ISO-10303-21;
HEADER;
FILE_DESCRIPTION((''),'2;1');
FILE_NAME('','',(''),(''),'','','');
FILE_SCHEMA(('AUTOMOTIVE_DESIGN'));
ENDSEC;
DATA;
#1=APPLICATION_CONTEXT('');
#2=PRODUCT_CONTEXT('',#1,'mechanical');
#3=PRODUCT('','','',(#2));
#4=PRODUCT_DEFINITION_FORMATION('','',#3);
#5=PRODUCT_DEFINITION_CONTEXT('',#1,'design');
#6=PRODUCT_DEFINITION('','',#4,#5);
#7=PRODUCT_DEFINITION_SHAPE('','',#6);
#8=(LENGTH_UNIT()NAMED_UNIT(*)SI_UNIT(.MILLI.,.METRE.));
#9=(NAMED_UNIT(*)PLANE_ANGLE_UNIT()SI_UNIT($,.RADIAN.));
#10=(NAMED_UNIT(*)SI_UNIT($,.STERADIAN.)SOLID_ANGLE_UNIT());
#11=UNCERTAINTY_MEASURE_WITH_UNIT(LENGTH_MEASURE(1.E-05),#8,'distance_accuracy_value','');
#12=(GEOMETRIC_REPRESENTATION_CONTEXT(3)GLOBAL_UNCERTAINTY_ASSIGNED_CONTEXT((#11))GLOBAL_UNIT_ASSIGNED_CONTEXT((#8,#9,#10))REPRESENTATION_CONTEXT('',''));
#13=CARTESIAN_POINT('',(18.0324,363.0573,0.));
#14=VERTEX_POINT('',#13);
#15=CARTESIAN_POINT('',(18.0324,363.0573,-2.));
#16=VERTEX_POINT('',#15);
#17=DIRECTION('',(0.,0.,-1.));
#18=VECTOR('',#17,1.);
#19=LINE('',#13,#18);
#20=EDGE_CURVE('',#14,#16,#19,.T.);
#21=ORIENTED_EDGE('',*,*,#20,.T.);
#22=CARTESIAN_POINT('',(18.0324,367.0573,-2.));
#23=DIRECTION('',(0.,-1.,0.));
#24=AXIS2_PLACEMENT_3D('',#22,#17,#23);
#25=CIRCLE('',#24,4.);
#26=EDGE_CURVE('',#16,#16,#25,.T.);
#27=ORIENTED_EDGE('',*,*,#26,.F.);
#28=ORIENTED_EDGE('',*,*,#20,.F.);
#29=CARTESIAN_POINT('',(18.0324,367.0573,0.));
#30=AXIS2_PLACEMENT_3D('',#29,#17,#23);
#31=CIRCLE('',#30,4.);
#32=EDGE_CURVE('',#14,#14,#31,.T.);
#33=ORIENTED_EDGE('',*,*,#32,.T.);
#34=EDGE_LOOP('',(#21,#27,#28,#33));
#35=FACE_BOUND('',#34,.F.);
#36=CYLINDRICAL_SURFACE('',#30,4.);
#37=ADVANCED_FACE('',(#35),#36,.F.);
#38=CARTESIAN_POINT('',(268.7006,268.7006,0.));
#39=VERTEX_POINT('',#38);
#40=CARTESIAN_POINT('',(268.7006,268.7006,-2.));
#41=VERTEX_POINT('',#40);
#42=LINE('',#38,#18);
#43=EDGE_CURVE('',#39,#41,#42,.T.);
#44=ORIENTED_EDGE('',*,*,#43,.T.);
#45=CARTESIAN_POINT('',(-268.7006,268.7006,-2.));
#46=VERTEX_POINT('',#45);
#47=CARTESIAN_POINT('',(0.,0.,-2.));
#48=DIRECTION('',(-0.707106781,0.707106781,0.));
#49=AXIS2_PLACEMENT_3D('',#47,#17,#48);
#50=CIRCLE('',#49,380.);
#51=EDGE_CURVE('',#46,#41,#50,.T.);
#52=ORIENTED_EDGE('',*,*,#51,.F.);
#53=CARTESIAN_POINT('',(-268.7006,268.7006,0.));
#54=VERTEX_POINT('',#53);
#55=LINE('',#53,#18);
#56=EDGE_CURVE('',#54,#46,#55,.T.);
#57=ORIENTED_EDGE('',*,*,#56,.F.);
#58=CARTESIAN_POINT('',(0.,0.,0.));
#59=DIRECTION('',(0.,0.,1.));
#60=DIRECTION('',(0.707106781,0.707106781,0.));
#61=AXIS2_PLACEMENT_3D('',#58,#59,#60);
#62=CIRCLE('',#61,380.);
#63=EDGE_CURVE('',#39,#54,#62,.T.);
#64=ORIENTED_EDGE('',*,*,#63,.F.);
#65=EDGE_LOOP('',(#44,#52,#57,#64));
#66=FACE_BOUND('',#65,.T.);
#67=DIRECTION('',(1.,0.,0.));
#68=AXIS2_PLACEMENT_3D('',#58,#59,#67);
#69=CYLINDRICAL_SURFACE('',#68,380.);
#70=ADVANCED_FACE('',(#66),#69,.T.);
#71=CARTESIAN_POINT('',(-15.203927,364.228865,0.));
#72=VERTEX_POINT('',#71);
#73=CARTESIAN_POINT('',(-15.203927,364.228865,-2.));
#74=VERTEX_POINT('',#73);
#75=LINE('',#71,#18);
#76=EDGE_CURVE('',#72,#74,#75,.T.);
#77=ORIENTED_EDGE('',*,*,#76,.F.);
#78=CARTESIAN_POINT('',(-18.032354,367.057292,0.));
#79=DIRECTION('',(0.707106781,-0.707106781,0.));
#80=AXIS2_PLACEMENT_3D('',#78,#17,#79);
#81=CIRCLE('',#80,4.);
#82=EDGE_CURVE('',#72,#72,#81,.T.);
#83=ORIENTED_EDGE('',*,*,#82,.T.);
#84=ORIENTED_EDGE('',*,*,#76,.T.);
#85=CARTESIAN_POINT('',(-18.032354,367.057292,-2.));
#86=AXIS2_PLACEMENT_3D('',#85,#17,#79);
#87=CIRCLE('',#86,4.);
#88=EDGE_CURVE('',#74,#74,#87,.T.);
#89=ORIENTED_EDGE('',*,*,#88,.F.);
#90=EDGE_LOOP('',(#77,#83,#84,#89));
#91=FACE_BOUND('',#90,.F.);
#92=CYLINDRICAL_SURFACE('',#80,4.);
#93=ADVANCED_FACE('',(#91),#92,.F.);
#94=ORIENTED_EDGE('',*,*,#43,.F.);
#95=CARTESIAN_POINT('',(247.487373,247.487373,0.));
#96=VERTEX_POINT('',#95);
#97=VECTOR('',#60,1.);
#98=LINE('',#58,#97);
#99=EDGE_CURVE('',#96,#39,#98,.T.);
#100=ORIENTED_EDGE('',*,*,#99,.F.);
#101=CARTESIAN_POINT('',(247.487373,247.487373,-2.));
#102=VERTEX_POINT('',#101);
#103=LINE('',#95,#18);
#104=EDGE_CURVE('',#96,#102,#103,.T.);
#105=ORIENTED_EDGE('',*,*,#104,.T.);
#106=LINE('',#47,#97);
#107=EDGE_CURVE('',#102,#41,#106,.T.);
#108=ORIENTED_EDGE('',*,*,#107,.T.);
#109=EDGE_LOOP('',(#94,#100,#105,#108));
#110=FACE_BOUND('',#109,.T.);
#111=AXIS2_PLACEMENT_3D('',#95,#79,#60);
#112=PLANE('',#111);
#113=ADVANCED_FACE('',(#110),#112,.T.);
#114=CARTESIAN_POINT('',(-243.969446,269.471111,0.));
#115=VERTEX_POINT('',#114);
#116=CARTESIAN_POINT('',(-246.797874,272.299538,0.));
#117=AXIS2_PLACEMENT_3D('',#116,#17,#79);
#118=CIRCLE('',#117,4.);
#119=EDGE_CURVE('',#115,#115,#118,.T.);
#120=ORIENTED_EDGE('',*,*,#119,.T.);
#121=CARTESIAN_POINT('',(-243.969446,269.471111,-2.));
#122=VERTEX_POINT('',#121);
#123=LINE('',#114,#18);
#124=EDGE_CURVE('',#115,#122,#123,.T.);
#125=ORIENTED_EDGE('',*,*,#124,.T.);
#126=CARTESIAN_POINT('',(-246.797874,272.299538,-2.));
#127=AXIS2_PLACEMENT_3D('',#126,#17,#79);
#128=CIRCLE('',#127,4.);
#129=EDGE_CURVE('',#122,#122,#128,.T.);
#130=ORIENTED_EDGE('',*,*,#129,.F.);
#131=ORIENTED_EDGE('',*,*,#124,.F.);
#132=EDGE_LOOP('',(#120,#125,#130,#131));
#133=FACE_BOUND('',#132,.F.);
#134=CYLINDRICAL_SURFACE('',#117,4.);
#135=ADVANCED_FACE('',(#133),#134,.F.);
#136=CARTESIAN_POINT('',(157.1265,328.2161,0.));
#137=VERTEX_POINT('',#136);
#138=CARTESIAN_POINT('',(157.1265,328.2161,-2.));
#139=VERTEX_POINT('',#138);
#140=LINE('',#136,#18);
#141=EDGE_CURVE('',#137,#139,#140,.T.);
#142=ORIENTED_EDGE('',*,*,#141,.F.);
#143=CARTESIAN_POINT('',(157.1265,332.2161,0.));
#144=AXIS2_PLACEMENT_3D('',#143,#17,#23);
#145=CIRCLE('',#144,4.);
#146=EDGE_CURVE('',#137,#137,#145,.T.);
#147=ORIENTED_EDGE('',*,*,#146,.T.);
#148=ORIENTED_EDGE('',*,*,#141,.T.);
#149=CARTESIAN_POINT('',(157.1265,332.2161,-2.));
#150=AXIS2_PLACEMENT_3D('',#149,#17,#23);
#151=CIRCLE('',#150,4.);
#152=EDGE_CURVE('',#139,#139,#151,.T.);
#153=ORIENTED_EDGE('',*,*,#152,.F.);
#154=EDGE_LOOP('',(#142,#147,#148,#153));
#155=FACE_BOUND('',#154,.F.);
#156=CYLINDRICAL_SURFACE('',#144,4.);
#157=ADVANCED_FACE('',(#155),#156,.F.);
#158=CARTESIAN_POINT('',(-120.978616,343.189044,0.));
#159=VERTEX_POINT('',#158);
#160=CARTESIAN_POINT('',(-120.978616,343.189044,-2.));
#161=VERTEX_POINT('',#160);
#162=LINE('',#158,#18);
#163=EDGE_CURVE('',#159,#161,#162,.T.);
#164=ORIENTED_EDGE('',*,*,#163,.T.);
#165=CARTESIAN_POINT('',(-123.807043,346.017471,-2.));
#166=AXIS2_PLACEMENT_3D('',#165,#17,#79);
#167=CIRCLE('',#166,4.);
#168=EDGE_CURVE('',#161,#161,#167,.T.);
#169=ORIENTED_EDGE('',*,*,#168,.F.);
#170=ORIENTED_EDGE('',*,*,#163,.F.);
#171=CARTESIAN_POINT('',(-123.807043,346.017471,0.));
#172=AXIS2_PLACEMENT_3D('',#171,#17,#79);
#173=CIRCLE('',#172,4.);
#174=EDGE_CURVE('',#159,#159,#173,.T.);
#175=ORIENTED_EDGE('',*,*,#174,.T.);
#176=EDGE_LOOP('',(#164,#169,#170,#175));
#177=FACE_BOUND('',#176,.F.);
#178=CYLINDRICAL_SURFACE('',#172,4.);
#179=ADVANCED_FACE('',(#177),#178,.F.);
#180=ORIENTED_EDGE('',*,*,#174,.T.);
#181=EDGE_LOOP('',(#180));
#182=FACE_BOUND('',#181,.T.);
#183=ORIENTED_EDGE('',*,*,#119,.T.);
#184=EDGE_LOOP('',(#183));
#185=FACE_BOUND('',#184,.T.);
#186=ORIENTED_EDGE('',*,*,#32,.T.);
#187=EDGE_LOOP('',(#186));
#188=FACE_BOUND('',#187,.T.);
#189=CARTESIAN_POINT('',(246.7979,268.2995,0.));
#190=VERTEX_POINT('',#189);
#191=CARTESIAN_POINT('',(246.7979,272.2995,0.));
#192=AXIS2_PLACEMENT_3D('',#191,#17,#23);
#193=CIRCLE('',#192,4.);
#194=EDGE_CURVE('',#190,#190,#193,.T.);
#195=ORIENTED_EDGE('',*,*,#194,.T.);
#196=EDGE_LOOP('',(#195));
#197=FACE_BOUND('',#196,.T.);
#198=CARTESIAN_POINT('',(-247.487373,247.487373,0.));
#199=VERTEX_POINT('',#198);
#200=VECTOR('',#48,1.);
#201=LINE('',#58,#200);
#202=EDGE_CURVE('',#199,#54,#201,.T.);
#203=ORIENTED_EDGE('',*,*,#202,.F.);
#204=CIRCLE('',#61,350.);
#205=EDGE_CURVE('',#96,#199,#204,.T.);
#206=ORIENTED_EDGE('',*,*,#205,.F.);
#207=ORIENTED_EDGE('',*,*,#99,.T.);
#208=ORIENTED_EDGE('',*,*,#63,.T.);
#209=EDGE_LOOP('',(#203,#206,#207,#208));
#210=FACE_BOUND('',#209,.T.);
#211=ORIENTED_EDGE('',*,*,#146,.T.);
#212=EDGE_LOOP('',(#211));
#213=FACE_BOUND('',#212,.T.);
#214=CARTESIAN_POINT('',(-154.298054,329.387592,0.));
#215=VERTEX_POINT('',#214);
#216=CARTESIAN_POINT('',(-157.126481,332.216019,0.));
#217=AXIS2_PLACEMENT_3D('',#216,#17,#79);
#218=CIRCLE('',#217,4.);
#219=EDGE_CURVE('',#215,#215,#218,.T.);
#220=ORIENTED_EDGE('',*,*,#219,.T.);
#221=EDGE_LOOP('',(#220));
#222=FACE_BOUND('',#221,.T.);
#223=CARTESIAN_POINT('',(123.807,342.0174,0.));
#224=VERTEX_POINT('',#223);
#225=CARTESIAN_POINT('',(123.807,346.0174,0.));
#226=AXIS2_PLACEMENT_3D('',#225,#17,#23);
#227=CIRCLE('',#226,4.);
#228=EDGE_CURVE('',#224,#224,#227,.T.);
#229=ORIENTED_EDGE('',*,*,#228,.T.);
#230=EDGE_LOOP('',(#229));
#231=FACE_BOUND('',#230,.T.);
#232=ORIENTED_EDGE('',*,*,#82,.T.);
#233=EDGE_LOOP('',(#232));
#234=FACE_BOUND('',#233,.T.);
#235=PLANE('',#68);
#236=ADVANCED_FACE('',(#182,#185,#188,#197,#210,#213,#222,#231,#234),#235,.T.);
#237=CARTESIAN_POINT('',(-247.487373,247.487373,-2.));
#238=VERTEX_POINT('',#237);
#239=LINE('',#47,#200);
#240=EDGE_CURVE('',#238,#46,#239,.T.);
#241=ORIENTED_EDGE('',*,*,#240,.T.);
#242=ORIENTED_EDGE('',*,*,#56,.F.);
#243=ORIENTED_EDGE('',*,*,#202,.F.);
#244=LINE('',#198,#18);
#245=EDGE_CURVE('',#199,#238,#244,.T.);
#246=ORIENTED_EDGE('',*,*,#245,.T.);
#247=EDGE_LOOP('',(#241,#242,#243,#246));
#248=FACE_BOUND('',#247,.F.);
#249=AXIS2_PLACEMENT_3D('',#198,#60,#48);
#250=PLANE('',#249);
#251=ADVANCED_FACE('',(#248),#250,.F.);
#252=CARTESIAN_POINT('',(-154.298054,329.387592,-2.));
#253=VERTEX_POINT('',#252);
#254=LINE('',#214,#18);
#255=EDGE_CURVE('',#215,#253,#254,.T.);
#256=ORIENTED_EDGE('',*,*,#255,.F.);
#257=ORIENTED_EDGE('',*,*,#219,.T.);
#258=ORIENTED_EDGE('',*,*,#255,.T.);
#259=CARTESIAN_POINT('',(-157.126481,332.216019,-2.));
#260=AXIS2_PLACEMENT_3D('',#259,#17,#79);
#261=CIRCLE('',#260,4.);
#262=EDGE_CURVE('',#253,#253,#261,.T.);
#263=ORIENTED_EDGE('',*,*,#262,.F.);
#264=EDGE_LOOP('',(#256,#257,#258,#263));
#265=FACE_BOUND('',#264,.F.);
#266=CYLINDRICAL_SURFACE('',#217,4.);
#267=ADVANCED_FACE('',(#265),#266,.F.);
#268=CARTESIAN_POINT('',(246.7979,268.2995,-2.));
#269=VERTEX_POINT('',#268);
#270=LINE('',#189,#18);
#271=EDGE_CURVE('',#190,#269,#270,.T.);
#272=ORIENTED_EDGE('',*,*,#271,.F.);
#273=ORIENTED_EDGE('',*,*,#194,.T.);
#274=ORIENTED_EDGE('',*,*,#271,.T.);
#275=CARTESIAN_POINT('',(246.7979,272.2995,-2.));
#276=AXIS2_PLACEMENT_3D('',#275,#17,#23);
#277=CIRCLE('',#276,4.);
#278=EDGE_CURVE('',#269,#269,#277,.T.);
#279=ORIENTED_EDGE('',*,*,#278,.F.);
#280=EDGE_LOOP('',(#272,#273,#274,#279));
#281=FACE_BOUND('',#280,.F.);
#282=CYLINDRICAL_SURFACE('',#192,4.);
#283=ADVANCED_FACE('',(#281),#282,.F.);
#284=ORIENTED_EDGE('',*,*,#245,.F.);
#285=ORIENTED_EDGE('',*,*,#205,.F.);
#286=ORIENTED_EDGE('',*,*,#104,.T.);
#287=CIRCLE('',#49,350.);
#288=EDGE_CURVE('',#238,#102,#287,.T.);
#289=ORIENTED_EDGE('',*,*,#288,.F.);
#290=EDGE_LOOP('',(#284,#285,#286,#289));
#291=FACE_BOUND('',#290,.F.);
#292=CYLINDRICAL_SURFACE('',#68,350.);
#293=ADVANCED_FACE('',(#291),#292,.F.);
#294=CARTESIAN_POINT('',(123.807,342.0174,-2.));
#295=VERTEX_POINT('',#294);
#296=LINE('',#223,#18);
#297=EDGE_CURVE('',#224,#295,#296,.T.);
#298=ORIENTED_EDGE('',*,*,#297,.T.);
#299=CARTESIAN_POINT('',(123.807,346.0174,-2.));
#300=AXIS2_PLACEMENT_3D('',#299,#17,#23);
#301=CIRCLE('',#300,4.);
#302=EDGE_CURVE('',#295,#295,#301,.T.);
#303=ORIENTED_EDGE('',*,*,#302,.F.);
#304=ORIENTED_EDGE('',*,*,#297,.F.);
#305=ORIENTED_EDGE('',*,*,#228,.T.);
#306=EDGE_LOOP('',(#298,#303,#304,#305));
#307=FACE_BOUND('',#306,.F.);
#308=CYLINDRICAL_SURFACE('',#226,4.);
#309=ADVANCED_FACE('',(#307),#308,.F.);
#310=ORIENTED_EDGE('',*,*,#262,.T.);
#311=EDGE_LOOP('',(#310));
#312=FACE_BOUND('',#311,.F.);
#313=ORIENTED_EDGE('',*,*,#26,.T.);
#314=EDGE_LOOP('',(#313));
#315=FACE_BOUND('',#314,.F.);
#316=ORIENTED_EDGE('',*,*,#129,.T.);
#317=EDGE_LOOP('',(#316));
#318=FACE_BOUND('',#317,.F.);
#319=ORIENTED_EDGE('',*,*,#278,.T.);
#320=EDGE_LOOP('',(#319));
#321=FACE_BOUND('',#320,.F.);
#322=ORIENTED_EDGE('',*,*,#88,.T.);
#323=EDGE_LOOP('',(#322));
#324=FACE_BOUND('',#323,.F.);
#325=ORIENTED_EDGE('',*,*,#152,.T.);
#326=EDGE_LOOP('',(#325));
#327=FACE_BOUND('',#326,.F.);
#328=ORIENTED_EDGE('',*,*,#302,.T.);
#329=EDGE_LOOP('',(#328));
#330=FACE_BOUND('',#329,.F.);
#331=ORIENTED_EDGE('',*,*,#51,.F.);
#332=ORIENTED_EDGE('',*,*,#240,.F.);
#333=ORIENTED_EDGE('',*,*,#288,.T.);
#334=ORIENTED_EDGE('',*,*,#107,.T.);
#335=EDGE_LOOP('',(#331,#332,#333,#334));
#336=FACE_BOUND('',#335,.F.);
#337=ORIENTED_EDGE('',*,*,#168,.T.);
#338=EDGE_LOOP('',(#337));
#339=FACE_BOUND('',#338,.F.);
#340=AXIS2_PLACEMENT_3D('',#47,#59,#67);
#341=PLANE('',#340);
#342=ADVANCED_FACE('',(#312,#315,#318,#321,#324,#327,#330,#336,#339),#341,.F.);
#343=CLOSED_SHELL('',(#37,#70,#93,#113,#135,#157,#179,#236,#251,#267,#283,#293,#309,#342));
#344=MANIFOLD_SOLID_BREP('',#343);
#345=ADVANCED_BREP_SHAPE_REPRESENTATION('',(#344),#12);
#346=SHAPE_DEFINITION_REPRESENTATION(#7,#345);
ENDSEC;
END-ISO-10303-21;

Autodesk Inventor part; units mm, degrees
ref_plane "YZ Plane" through (0, 0, 0) normal (1, 0, 0) x (0, 1, 0)
ref_plane "XZ Plane" through (0, 0, 0) normal (0, 1, 0) x (-1, 0, 0)
ref_plane "XY Plane" through (0, 0, 0) normal (0, 0, 1) x (1, 0, 0)
sketch "Sketch1" plane through (0, 0, 0) normal (0, 0, 1) x (1, 0, 0)
  circle A0 centre (0, 0) radius 350
  circle A1 centre (0, 0) radius 380
  line L0 (0, 0) -> (-268.7006, 268.7006)
  line L1 (0, 0) -> (0, 380)
  line L2 (0, 0) -> (268.7006, 268.7006)
  point P0 (-247.4874, 247.4874)
  point P1 (247.4874, 247.4874)
  dimension "d30" = 90
  dimension "d31" = 760
  dimension "d32" = 700
extrude "Plate1" add sketch "Sketch1" against normal blind 2 contours A0 L1 A1 L2 | L0 A1 L1 A0
sketch "Sketch2" plane through (0, 0, 0) normal (0, 0, 1) x (1, 0, 0)
  circle A0 centre (0, 0) radius 367.5
  arc A1 (268.7006, 268.7006) -> (-268.7006, 268.7006) centre (0, 0) ccw projected
  line L0 (0, 0) -> (268.7006, 268.7006) construction
  line L1 (0, 0) -> (246.7979, 272.2995) construction
  line L2 (157.1265, 332.2161) -> (0, 0) construction
  line L3 (0, 0) -> (0, 367.5) construction
  line L4 (0, 0) -> (18.0324, 367.0573) construction
  line L5 (0, 0) -> (123.807, 346.0174) construction
  dimension "d34" = 735
  dimension "d35" = 2.812
  dimension "d36" = 16.875
  dimension "d44" = 2.812
  dimension "d45" = 16.875
hole "Hole1" at (246.7979, 272.2995, 0) at (157.1265, 332.2161, 0) at (123.807, 346.0174, 0) at (18.0324, 367.0573, 0) direction (0, 0, -1) diameter 8 end through all
pattern_circular "Circular Pattern1" count 2 over 45 about axis through (0, 0, -10) along (0, 0, 1) of "Hole1"
equation "\"d31\" = Колесо_диам_1"
equation "\"d32\" = Колесо_диам_2"
equation "\"d44\" = d35"
equation "\"d45\" = d36"
equation "\"d42\" = Thickness"
equation "\"d15\" = Thickness"
equation "\"BendRadius\" = Thickness"
equation "\"BendReliefWidth\" = Thickness"
equation "\"BendReliefDepth\" = 0.5 * Thickness"
equation "\"CornerReliefSize\" = 4 * Thickness"
equation "\"MinimumRemnant\" = 2 * Thickness"
equation "\"TransitionRadius\" = BendRadius"
equation "\"JacobiRadiusSize\" = BendRadius"
equation "\"GapSize\" = Thickness"
equation "\"Колесо_диам_1\" = 760"
equation "\"Колесо_диам_2\" = 700"
equation "\"Thickness\" = 2"
properties part number "DMF2.0 01 43 Gear rim 3"
